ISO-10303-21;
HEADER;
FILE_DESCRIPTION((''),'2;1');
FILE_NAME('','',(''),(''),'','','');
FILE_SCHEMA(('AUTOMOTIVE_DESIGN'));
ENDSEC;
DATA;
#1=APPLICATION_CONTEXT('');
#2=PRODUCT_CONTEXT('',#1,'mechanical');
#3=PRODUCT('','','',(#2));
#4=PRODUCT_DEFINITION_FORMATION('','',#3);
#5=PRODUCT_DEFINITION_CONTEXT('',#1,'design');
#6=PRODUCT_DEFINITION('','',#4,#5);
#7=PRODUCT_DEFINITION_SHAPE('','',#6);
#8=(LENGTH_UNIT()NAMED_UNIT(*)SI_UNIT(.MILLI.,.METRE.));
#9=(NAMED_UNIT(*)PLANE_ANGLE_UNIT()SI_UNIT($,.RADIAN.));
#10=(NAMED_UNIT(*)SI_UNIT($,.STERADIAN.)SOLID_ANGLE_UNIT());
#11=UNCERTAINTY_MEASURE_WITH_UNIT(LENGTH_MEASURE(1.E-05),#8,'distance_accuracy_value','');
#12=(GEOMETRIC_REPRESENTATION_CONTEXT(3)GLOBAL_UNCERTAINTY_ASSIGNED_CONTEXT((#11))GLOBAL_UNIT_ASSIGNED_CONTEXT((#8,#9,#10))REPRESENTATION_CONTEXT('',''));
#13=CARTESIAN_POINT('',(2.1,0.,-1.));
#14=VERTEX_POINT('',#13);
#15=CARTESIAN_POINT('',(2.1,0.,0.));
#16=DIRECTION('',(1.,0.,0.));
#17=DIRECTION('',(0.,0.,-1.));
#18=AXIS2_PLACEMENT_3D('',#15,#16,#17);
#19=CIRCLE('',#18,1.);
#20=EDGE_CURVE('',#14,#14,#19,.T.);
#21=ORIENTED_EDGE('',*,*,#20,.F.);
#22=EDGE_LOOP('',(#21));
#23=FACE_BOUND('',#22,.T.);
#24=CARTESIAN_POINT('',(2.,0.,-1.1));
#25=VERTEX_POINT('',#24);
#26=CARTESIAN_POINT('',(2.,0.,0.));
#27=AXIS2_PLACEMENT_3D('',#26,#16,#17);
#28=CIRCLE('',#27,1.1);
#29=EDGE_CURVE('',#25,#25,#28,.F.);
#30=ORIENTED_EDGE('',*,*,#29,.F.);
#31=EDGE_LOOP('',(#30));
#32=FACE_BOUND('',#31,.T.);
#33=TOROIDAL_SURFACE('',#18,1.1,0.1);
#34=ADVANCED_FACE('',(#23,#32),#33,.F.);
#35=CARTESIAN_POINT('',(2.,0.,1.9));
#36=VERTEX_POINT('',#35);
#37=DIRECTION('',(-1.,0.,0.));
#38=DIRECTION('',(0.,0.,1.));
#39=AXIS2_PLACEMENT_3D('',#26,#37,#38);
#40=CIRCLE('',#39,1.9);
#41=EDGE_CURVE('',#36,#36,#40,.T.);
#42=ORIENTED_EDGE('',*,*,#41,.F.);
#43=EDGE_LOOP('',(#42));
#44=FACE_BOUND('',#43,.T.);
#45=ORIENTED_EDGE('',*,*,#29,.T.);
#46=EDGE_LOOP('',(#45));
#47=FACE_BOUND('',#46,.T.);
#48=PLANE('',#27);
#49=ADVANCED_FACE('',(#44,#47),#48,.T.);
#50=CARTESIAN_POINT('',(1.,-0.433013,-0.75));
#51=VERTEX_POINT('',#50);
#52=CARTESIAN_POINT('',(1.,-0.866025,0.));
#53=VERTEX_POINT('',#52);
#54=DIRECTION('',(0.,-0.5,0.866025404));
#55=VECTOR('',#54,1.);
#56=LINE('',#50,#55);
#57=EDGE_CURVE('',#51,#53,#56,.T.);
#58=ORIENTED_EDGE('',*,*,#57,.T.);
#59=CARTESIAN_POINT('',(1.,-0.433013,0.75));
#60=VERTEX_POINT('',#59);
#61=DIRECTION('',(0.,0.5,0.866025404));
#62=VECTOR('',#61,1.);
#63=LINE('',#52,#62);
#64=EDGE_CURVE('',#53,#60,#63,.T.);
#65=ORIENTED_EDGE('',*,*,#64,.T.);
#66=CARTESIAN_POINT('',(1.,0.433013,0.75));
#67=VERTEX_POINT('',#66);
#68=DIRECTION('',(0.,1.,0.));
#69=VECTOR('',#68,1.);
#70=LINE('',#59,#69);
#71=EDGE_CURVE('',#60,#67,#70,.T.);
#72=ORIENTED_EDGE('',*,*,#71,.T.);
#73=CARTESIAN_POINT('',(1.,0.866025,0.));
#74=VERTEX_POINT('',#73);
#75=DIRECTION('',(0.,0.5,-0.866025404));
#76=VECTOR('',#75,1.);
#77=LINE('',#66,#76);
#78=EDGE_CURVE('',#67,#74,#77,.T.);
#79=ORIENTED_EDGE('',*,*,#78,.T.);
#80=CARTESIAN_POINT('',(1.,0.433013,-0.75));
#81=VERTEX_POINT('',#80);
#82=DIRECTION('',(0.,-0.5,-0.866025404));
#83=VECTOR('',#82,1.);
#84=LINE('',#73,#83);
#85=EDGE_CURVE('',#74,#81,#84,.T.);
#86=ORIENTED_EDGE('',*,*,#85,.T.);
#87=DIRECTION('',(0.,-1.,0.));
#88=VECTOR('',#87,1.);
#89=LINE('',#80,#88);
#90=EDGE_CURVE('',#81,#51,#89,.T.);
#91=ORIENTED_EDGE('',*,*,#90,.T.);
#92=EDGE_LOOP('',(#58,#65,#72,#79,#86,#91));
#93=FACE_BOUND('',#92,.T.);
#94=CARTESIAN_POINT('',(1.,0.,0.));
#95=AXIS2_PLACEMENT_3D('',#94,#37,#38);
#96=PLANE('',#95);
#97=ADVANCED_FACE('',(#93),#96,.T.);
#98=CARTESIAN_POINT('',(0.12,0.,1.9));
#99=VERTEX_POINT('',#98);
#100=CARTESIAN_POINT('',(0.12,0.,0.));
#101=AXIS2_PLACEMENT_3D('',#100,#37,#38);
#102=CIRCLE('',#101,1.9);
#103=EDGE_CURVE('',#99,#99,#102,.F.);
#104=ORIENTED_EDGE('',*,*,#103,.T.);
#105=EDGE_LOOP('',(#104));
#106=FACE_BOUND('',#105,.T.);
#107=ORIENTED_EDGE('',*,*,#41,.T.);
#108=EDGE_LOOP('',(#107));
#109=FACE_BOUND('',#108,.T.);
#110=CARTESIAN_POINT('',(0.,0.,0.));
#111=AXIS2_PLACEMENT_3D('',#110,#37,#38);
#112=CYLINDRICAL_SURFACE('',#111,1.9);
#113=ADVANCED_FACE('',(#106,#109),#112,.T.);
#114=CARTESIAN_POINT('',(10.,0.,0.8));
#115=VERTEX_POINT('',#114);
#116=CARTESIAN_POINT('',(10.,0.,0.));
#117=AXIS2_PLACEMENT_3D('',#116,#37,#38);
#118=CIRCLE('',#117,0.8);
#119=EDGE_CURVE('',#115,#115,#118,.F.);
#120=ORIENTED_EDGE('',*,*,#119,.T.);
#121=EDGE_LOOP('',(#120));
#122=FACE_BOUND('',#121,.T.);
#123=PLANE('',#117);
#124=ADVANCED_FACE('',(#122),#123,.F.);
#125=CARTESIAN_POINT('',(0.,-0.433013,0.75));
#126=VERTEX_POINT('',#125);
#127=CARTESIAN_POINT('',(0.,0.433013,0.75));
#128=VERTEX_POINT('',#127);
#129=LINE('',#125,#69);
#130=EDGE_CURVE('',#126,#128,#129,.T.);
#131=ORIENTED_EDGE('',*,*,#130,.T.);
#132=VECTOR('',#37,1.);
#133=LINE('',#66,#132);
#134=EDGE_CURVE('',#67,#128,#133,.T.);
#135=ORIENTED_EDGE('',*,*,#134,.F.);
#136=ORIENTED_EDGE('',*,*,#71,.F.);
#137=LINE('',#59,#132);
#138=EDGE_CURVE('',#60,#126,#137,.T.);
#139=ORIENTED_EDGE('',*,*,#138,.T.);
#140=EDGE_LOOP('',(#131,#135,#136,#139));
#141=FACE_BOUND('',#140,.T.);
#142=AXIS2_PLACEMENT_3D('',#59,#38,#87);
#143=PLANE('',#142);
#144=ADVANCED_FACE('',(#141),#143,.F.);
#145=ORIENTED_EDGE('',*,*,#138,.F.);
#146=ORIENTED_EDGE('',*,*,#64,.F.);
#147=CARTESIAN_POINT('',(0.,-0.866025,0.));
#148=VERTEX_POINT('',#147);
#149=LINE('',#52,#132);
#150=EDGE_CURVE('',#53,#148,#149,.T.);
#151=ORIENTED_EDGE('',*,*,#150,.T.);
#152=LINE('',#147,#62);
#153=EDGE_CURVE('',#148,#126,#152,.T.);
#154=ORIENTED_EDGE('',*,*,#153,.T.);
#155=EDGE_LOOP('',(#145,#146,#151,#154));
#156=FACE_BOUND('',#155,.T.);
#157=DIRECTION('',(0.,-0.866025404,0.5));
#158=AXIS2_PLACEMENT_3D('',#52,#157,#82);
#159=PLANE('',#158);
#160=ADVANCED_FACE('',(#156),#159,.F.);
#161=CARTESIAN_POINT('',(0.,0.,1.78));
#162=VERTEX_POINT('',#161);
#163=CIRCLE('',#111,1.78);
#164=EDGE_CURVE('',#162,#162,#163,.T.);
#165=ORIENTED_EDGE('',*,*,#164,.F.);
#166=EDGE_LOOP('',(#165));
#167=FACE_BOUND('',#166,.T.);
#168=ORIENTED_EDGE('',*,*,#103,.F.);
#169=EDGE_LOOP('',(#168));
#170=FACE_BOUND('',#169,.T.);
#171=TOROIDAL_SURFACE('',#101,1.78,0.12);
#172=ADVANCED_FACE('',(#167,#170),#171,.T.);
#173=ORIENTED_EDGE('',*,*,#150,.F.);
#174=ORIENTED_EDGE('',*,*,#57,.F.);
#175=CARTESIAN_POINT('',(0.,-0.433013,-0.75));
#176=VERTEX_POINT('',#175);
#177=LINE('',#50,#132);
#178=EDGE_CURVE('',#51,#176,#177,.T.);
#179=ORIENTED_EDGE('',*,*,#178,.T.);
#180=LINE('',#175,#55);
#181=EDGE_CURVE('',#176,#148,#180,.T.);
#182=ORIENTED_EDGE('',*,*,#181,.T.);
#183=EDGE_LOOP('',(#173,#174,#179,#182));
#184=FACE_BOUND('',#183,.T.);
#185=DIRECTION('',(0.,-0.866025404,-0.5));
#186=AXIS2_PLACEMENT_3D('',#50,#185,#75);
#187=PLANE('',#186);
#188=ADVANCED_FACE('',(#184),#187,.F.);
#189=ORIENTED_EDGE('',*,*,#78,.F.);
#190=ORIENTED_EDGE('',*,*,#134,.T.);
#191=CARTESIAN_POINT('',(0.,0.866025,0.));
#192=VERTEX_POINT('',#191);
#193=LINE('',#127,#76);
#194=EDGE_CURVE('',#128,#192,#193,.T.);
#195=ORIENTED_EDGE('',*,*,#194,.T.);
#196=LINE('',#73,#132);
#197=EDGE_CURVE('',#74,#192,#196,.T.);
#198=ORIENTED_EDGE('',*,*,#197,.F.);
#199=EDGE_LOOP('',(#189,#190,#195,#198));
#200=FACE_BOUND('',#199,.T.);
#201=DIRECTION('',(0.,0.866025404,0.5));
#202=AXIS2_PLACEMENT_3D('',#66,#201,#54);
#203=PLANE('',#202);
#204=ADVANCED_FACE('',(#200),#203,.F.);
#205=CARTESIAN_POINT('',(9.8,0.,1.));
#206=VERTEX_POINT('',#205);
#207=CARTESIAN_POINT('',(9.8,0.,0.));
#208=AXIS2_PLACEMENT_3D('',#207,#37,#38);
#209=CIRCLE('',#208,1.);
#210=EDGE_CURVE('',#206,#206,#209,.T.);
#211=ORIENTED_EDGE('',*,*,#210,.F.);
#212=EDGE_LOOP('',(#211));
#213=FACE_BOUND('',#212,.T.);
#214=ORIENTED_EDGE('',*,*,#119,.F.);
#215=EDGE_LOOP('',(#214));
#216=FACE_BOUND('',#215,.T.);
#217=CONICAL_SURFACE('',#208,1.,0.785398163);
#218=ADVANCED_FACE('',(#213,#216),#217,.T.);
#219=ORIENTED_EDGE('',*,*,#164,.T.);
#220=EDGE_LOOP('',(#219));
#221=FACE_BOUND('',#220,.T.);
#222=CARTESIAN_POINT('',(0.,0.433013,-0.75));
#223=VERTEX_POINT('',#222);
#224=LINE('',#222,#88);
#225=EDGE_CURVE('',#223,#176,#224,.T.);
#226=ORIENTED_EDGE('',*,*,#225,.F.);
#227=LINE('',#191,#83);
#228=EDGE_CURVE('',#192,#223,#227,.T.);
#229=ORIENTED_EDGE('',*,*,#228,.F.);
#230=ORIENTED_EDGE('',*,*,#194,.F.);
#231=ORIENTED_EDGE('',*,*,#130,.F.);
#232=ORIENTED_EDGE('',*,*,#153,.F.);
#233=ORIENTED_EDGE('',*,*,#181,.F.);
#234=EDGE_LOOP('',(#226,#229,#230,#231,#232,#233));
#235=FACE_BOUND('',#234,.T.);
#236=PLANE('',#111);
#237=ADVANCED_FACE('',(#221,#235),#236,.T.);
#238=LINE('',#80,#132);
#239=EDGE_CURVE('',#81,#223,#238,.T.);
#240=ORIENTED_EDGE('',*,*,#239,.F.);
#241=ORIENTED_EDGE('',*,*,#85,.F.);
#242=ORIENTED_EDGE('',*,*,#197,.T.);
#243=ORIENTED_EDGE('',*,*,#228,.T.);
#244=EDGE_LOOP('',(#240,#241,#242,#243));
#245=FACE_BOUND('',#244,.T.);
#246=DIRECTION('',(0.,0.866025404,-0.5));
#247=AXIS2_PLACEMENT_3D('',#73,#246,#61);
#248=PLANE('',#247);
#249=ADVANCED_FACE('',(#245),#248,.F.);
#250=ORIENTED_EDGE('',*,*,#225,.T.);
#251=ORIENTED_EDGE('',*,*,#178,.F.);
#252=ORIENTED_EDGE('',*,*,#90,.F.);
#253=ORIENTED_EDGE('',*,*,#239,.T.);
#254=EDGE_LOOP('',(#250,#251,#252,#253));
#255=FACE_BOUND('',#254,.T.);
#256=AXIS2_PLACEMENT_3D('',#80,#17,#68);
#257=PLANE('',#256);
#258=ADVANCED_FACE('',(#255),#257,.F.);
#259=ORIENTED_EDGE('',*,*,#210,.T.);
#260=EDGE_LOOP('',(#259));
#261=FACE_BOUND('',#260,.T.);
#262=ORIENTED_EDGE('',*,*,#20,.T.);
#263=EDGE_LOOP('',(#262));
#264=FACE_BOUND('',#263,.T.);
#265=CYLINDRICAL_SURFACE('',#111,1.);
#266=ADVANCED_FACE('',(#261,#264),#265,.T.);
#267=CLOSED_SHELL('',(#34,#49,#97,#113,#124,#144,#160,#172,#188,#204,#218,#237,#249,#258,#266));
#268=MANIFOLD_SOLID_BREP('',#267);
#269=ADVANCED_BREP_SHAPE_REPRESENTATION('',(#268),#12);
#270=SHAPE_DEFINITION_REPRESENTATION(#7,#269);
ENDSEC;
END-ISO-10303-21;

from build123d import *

# Parameters (mm, degrees)
FILLET1_R      = 0.1
FILLET2_R      = 0.12
CHAMFER1_SIZE  = 0.2
EXTRUDE1_DEPTH = 1


with BuildPart() as part:
    # Sketch1 → Revolve1 (revolve)
    with BuildSketch(Plane.XY, mode=Mode.PRIVATE) as revolve1_sk:
        Polygon((2, 1), (2, 0), (4.279914881, 0), (10, 0), (10, 1), align=None)
        Polygon((0, 1.9), (0, 0), (2, 0), (2, 1), (2, 1.9), align=None)
    revolve(revolve1_sk.sketch.rotate(Axis((0, 0, 0), (1, 0, 0)), 90), axis=Axis((0, 0, 0), (1, 0, 0)))

    # Fillet1
    fillet1_edges = [part.edges().sort_by_distance(p)[0] for p in [
        (2, 0, -1),
    ]]
    fillet(fillet1_edges, radius=FILLET1_R)

    # Fillet2
    fillet2_edges = [part.edges().sort_by_distance(p)[0] for p in [
        (0, 0, -1.9),
    ]]
    fillet(fillet2_edges, radius=FILLET2_R)

    # Chamfer1
    chamfer1_edges = [part.edges().sort_by_distance(p)[0] for p in [
        (10, 0, -1),
    ]]
    chamfer(chamfer1_edges, length=CHAMFER1_SIZE)

    # Sketch2 → Extrude1 (cut)
    with BuildSketch(Plane.ZY):
        Polygon((0, 0.866025404), (-0.75, 0.433012702), (-0.75, -0.433012702), (0, -0.866025404), (0.75, -0.433012702), (0.75, 0.433012702), align=None)
    extrude(amount=-EXTRUDE1_DEPTH, mode=Mode.SUBTRACT)


solid = part.part
